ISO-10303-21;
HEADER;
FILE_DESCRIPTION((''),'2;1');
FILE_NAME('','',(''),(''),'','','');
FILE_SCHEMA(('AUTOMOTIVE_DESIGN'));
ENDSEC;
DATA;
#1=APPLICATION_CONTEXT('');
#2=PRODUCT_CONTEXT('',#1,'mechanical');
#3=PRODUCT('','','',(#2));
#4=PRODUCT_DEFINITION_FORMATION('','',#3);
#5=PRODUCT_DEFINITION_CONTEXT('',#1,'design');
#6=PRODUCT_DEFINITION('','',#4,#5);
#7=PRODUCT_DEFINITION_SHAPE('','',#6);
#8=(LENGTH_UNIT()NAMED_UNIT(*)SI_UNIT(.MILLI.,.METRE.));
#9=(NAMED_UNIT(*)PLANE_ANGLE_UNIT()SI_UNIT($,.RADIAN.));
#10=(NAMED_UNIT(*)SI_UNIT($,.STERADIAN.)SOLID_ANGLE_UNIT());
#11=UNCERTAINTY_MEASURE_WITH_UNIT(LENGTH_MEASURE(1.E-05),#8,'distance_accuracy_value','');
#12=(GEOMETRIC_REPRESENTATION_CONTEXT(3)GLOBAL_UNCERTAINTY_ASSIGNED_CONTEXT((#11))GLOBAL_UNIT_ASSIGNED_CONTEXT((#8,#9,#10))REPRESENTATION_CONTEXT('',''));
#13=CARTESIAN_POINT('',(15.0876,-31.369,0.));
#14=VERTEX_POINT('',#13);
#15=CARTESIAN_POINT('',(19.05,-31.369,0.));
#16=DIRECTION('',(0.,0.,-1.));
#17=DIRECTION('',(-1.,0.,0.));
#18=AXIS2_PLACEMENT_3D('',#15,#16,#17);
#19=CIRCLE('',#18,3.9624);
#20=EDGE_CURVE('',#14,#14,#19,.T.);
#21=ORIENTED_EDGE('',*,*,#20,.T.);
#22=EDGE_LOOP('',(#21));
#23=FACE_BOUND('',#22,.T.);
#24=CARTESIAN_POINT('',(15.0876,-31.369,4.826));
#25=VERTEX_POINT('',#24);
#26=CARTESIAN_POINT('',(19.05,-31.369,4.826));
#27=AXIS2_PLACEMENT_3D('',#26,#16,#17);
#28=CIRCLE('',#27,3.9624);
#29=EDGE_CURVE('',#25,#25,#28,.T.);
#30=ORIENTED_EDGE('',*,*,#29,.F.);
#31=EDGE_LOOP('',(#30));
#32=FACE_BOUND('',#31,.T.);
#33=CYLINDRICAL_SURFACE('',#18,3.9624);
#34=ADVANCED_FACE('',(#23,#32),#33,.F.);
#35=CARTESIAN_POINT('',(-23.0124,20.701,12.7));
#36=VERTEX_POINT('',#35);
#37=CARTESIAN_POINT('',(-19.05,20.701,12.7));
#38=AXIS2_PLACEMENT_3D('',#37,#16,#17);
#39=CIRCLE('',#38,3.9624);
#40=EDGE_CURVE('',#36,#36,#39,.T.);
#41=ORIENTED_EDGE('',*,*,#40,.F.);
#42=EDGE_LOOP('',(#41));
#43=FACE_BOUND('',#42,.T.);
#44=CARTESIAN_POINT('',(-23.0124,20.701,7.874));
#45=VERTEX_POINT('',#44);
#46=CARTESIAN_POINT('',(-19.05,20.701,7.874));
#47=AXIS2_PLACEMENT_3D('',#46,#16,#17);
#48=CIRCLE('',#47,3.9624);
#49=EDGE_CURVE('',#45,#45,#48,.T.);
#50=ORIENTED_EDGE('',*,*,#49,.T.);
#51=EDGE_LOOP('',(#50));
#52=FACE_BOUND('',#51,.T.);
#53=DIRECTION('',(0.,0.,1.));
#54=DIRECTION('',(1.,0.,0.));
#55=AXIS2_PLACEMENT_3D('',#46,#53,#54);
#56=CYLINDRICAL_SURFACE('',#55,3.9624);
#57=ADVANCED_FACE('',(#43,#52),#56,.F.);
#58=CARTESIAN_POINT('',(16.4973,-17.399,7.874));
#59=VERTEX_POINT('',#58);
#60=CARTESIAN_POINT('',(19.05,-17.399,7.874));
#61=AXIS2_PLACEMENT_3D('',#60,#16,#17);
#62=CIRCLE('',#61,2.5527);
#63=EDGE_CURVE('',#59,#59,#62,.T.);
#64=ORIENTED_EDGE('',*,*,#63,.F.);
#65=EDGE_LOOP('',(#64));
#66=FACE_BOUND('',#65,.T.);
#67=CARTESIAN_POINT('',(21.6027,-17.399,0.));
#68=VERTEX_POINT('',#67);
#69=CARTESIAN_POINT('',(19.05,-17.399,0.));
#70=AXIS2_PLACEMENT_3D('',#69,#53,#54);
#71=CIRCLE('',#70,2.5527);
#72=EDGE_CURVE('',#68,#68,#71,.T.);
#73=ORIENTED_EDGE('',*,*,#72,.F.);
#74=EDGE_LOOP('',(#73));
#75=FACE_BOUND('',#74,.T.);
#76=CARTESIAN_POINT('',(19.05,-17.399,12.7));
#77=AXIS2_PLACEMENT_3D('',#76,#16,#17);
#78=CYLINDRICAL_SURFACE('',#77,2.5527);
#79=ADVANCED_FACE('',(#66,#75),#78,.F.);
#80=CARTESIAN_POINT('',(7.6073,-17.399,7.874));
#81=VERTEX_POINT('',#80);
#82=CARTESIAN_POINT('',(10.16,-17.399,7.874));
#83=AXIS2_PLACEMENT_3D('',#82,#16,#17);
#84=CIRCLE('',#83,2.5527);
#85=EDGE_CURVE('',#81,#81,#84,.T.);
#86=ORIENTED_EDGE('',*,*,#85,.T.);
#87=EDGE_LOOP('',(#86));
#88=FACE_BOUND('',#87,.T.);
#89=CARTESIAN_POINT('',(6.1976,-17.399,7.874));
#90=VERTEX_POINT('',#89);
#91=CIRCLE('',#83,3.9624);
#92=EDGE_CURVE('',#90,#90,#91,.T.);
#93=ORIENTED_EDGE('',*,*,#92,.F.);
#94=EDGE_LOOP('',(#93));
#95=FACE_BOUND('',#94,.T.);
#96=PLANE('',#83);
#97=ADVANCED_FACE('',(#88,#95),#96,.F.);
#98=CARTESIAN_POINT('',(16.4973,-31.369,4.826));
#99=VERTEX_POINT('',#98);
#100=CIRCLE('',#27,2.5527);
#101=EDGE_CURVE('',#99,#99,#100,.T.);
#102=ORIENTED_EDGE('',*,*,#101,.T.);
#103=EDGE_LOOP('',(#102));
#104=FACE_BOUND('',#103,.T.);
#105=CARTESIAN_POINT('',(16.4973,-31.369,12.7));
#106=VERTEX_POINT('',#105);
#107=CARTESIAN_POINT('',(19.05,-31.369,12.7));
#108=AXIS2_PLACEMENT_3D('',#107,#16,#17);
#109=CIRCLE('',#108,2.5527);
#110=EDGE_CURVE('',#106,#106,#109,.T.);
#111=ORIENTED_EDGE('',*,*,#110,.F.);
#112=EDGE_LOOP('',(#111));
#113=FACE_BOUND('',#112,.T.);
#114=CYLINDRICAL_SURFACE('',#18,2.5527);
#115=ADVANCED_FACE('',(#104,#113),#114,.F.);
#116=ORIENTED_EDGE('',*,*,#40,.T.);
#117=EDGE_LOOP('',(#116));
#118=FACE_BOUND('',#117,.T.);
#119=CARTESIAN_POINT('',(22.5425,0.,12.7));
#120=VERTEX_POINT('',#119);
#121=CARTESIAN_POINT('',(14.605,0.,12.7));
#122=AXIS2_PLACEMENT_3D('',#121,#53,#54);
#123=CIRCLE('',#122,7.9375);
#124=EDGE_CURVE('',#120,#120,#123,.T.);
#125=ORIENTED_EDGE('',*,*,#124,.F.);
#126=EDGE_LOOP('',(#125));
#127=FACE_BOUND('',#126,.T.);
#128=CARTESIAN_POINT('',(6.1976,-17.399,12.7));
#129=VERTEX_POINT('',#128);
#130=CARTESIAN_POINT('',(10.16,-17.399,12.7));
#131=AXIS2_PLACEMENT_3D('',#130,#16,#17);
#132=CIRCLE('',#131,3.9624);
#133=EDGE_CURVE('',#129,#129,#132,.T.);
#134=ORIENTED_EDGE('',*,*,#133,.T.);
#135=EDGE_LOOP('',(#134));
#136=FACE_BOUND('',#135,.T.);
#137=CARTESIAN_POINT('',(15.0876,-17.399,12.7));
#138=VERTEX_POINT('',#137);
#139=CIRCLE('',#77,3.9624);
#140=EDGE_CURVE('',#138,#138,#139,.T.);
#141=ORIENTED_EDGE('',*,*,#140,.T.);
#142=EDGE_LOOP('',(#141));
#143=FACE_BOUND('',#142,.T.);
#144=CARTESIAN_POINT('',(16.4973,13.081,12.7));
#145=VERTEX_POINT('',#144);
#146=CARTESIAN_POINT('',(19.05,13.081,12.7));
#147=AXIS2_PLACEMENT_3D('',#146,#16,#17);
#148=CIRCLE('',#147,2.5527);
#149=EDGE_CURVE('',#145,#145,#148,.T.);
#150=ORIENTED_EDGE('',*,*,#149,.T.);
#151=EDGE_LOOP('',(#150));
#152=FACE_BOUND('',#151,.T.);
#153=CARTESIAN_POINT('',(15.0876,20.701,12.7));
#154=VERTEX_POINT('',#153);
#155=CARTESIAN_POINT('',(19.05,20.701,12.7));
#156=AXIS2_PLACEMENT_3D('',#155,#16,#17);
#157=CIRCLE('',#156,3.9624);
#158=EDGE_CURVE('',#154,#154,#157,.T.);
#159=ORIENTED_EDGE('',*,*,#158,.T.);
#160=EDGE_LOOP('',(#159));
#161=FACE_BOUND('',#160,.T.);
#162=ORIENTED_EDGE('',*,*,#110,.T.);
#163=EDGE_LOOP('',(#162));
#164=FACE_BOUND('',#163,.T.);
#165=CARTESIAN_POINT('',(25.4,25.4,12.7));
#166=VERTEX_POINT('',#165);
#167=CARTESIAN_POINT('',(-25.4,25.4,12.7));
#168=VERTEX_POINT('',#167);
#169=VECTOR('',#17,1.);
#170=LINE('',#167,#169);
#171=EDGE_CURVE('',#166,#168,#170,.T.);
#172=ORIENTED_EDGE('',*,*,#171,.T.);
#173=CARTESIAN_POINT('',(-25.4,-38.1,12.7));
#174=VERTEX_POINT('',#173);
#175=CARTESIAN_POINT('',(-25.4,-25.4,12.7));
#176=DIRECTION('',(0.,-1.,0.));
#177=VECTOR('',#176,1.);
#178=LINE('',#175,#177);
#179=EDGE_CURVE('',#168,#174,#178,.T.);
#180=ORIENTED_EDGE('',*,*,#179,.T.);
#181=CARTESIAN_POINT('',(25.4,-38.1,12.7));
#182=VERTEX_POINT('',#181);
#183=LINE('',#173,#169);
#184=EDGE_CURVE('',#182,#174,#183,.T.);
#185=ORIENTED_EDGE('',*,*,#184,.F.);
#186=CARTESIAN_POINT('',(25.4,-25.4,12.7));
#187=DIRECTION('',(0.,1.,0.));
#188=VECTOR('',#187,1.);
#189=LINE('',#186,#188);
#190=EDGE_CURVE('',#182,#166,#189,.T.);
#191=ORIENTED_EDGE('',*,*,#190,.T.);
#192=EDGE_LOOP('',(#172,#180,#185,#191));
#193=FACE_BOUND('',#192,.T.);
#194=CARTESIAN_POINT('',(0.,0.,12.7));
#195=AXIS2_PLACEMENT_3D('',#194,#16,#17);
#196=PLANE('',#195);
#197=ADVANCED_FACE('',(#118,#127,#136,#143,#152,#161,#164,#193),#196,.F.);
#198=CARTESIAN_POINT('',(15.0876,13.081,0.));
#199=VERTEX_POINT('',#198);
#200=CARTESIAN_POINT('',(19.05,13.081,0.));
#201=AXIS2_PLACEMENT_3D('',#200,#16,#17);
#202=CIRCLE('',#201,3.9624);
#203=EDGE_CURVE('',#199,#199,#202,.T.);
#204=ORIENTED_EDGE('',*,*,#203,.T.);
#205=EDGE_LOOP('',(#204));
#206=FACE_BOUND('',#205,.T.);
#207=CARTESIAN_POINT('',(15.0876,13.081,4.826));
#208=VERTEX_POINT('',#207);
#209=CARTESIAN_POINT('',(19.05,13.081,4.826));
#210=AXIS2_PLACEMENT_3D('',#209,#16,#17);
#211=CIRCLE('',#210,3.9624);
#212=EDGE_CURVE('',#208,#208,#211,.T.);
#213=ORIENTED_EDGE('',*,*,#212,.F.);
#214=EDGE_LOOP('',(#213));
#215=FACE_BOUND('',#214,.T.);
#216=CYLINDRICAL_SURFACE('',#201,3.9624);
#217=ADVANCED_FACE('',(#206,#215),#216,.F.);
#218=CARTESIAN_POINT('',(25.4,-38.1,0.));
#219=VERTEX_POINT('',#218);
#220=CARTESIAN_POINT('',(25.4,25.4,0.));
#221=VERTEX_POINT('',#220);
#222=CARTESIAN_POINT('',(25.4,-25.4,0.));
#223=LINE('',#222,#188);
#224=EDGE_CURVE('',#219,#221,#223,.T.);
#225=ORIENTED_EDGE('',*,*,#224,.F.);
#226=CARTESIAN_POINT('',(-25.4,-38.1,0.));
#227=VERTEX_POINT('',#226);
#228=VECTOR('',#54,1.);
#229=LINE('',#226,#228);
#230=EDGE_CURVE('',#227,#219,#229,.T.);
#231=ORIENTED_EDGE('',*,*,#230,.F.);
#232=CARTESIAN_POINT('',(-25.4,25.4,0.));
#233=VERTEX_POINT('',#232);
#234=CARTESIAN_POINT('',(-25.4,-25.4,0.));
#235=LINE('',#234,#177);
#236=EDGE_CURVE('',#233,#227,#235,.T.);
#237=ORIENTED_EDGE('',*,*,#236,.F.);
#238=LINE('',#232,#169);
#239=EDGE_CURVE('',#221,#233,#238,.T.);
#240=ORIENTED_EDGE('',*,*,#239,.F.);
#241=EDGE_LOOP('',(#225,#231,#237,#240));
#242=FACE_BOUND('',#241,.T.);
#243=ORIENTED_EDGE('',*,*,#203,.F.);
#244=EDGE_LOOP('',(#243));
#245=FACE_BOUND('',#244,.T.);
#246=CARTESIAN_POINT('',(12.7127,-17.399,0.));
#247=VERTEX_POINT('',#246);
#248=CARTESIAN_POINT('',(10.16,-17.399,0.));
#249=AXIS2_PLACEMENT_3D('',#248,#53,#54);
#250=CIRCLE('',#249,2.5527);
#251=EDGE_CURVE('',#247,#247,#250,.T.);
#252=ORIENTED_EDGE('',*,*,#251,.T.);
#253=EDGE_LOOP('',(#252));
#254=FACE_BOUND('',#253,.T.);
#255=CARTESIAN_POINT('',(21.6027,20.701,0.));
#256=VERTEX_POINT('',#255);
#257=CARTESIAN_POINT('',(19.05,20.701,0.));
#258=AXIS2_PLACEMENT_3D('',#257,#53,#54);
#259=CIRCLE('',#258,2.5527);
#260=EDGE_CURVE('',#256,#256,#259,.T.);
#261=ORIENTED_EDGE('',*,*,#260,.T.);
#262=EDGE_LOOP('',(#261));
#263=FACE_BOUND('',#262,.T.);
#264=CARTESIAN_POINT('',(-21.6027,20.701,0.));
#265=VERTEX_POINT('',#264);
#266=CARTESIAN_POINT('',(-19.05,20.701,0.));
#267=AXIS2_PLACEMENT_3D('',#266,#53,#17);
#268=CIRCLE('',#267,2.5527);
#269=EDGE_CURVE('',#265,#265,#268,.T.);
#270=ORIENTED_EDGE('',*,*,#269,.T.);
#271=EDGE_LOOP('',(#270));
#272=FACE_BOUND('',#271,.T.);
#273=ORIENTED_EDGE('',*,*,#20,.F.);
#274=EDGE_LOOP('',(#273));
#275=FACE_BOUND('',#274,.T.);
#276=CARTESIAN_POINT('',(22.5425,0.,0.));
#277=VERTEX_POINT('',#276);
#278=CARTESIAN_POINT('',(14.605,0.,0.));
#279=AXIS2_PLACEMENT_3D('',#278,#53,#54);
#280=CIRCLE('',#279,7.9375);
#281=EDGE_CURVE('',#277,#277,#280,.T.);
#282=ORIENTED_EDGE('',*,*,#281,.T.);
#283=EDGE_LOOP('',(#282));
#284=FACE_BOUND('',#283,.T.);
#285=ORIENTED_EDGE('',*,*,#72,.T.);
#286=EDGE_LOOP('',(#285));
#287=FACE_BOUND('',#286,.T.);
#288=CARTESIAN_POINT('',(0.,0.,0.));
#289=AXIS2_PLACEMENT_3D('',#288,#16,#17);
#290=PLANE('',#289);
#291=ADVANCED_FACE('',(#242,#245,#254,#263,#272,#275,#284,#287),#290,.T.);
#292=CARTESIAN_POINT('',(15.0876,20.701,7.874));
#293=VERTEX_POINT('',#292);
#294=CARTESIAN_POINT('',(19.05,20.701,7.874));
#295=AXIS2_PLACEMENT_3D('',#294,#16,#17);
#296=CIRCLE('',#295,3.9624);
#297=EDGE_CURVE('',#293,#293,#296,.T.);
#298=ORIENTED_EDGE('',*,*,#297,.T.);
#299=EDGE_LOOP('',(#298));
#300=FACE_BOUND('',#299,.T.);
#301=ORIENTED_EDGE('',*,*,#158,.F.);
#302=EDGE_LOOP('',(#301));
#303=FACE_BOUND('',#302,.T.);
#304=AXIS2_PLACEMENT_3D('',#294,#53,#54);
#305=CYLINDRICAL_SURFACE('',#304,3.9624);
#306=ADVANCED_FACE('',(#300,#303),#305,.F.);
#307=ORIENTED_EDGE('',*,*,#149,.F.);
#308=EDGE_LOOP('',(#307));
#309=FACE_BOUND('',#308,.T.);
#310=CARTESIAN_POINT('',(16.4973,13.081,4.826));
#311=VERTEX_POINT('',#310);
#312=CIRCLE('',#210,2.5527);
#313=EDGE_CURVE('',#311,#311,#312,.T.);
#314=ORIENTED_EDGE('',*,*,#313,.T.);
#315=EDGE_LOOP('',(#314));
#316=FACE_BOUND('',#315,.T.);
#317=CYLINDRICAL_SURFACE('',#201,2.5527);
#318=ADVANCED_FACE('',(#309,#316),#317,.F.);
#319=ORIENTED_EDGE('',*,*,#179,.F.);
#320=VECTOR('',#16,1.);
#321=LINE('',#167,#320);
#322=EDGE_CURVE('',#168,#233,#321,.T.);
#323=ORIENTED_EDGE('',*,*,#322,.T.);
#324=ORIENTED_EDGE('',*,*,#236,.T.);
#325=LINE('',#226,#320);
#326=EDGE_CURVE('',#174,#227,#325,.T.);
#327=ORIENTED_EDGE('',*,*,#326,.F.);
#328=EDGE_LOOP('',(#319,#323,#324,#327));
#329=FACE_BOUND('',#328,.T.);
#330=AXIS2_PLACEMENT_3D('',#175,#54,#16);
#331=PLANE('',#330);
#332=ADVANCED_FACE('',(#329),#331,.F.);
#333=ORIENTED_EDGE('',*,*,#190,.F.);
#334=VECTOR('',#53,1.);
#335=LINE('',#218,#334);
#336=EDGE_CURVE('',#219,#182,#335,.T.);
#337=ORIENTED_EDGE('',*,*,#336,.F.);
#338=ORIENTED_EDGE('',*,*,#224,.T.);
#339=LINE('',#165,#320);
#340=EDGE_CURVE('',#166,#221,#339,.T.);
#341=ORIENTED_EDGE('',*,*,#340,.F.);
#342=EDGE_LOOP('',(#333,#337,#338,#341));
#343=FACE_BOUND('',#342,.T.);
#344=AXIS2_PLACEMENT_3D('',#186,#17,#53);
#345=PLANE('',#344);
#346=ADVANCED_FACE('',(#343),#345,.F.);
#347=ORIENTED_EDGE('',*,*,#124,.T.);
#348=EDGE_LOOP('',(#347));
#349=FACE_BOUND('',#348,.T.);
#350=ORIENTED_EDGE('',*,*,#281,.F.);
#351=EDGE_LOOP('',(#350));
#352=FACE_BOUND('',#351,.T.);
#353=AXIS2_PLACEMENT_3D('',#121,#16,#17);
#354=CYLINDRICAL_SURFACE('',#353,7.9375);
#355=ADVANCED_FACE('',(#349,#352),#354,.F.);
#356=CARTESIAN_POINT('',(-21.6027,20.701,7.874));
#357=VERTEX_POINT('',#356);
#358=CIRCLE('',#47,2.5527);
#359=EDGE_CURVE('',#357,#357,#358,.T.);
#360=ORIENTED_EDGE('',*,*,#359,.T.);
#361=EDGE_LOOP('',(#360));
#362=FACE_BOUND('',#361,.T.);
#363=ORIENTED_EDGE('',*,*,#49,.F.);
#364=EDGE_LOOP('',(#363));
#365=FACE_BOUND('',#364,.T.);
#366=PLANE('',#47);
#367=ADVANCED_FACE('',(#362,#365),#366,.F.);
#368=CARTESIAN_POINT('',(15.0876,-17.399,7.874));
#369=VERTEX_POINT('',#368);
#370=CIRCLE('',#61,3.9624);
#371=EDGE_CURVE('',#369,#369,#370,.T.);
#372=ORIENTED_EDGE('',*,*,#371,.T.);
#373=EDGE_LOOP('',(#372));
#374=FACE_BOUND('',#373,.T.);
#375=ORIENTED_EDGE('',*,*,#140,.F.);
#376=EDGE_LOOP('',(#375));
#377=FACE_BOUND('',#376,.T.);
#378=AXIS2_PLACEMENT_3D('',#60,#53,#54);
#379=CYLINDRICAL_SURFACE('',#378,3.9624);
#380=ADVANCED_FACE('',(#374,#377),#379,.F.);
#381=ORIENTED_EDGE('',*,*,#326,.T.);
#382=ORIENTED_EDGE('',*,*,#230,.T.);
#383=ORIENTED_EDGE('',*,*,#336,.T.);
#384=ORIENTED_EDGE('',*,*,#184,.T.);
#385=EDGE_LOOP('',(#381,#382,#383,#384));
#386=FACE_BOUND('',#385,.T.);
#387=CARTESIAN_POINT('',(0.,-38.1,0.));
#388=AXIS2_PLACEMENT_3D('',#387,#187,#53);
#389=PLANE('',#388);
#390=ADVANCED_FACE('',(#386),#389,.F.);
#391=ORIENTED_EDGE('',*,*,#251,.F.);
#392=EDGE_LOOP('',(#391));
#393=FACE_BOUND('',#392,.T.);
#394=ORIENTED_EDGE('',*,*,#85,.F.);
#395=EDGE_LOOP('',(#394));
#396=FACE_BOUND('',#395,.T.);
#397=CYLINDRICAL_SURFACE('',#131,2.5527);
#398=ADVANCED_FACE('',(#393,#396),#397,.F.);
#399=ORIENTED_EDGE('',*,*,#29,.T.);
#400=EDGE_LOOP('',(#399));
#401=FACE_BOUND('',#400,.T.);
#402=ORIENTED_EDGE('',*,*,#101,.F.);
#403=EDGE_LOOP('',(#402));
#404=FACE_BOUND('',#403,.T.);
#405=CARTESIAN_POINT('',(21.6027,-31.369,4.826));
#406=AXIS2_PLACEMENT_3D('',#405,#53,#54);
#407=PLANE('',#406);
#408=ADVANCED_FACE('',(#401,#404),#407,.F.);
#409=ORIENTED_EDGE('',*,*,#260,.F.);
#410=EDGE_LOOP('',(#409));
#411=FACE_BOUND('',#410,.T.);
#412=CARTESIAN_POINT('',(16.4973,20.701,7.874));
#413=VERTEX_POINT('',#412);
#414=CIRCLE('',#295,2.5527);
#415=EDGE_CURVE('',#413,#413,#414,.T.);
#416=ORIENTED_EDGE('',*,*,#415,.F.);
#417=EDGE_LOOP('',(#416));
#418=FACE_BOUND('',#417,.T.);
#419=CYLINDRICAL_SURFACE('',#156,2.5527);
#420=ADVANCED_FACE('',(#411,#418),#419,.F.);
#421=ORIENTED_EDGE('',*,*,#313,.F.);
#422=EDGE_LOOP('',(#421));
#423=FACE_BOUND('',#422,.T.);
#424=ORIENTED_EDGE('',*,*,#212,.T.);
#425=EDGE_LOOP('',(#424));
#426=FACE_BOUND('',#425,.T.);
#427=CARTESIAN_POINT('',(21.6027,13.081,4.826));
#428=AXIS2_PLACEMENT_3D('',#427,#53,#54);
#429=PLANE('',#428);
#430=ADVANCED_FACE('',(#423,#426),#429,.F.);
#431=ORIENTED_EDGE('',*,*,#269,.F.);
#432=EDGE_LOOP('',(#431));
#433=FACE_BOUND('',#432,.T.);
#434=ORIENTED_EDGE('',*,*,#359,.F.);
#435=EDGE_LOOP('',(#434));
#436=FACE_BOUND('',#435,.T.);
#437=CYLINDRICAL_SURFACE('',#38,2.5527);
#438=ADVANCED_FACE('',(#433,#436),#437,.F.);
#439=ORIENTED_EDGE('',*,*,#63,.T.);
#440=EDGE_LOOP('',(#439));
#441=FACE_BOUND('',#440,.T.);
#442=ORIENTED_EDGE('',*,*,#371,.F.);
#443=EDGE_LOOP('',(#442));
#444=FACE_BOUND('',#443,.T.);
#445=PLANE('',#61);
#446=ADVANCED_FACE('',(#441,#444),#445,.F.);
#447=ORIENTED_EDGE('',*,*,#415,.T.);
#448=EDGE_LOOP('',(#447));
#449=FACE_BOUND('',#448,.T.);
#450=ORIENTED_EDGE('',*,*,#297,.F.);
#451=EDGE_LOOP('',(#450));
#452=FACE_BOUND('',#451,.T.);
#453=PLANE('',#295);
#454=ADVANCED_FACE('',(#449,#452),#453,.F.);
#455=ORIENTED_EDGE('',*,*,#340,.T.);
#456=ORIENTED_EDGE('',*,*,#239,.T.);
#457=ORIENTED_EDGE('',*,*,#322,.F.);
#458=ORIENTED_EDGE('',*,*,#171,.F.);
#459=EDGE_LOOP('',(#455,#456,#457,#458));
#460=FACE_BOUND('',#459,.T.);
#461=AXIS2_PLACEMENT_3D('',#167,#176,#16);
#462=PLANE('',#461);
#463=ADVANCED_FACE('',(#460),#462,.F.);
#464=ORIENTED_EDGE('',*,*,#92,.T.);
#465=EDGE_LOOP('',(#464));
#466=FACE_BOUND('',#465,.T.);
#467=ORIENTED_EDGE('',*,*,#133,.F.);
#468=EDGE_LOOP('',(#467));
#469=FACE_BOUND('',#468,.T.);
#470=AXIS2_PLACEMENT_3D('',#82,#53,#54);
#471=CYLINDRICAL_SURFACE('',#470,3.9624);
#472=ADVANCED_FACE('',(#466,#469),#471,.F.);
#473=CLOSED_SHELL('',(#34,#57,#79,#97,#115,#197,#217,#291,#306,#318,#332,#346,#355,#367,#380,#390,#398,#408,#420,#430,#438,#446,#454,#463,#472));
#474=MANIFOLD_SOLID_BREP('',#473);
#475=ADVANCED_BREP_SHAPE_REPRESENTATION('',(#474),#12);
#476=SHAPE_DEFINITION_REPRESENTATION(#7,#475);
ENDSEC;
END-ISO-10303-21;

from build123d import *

# Parameters (mm, degrees)
SKETCH1_W                                       = 50.8
SKETCH1_H                                       = 50.8
SKETCH1_R                                       = 2.5527
SKETCH1_R_2                                     = 7.9375
BOSS_EXTRUDE1_DEPTH                             = 12.7
SKETCH2_W                                       = 50.8
SKETCH2_H                                       = 12.7
BOSS_EXTRUDE2_DEPTH                             = 12.7
CBORE_FOR_10_SOCKET_HEAD_CAP_SCREW1_D           = 5.1054
CBORE_FOR_10_SOCKET_HEAD_CAP_SCREW1_CBORE_D     = 7.9248
CBORE_FOR_10_SOCKET_HEAD_CAP_SCREW1_CBORE_DEPTH = 4.826
SKETCH6_R                                       = 3.9624
CUT_EXTRUDE1_DEPTH                              = 4.826


with BuildPart() as part:
    # Sketch1 → Boss-Extrude1 (new body)
    with BuildSketch(Plane.XY):
        Rectangle(SKETCH1_W, SKETCH1_H)
        with Locations(Location((-19.05, 20.701, 0), (0, 0, 180))):
            Circle(SKETCH1_R, mode=Mode.SUBTRACT)
        with Locations((19.05, 20.701)):
            Circle(SKETCH1_R, mode=Mode.SUBTRACT)
        with Locations((19.05, -17.399)):
            Circle(SKETCH1_R, mode=Mode.SUBTRACT)
        with Locations((10.16, -17.399)):
            Circle(SKETCH1_R, mode=Mode.SUBTRACT)
        with Locations((14.605, 0)):
            Circle(SKETCH1_R_2, mode=Mode.SUBTRACT)
    extrude(amount=BOSS_EXTRUDE1_DEPTH)

    # Sketch2 → Boss-Extrude2 (add)
    with BuildSketch(Plane.XZ.offset(25.4)):
        with Locations((0, 6.35)):
            Rectangle(SKETCH2_W, SKETCH2_H)
    extrude(amount=BOSS_EXTRUDE2_DEPTH)

    # CBORE for #10 Socket Head Cap Screw1 (through all)
    with Locations(Plane(origin=(-24.721209515, -12.864288698, 0), x_dir=(1, 0, 0), z_dir=(0, 0, -1))):
        with Locations((43.771209515, 18.504711302), (43.771209515, -25.945288698)):
            CounterBoreHole(CBORE_FOR_10_SOCKET_HEAD_CAP_SCREW1_D / 2, CBORE_FOR_10_SOCKET_HEAD_CAP_SCREW1_CBORE_D / 2, CBORE_FOR_10_SOCKET_HEAD_CAP_SCREW1_CBORE_DEPTH)

    # Sketch6 → Cut-Extrude1 (cut)
    with BuildSketch(Plane(origin=(0, 0, 12.7), x_dir=(-1, 0, 0), z_dir=(0, 0, -1))):
        with Locations((-19.05, 20.701)):
            Circle(SKETCH6_R)
        with Locations((-19.05, -17.399)):
            Circle(SKETCH6_R)
        with Locations((-10.16, -17.399)):
            Circle(SKETCH6_R)
        with Locations((19.05, 20.701)):
            Circle(SKETCH6_R)
    extrude(amount=CUT_EXTRUDE1_DEPTH, mode=Mode.SUBTRACT)


solid = part.part
